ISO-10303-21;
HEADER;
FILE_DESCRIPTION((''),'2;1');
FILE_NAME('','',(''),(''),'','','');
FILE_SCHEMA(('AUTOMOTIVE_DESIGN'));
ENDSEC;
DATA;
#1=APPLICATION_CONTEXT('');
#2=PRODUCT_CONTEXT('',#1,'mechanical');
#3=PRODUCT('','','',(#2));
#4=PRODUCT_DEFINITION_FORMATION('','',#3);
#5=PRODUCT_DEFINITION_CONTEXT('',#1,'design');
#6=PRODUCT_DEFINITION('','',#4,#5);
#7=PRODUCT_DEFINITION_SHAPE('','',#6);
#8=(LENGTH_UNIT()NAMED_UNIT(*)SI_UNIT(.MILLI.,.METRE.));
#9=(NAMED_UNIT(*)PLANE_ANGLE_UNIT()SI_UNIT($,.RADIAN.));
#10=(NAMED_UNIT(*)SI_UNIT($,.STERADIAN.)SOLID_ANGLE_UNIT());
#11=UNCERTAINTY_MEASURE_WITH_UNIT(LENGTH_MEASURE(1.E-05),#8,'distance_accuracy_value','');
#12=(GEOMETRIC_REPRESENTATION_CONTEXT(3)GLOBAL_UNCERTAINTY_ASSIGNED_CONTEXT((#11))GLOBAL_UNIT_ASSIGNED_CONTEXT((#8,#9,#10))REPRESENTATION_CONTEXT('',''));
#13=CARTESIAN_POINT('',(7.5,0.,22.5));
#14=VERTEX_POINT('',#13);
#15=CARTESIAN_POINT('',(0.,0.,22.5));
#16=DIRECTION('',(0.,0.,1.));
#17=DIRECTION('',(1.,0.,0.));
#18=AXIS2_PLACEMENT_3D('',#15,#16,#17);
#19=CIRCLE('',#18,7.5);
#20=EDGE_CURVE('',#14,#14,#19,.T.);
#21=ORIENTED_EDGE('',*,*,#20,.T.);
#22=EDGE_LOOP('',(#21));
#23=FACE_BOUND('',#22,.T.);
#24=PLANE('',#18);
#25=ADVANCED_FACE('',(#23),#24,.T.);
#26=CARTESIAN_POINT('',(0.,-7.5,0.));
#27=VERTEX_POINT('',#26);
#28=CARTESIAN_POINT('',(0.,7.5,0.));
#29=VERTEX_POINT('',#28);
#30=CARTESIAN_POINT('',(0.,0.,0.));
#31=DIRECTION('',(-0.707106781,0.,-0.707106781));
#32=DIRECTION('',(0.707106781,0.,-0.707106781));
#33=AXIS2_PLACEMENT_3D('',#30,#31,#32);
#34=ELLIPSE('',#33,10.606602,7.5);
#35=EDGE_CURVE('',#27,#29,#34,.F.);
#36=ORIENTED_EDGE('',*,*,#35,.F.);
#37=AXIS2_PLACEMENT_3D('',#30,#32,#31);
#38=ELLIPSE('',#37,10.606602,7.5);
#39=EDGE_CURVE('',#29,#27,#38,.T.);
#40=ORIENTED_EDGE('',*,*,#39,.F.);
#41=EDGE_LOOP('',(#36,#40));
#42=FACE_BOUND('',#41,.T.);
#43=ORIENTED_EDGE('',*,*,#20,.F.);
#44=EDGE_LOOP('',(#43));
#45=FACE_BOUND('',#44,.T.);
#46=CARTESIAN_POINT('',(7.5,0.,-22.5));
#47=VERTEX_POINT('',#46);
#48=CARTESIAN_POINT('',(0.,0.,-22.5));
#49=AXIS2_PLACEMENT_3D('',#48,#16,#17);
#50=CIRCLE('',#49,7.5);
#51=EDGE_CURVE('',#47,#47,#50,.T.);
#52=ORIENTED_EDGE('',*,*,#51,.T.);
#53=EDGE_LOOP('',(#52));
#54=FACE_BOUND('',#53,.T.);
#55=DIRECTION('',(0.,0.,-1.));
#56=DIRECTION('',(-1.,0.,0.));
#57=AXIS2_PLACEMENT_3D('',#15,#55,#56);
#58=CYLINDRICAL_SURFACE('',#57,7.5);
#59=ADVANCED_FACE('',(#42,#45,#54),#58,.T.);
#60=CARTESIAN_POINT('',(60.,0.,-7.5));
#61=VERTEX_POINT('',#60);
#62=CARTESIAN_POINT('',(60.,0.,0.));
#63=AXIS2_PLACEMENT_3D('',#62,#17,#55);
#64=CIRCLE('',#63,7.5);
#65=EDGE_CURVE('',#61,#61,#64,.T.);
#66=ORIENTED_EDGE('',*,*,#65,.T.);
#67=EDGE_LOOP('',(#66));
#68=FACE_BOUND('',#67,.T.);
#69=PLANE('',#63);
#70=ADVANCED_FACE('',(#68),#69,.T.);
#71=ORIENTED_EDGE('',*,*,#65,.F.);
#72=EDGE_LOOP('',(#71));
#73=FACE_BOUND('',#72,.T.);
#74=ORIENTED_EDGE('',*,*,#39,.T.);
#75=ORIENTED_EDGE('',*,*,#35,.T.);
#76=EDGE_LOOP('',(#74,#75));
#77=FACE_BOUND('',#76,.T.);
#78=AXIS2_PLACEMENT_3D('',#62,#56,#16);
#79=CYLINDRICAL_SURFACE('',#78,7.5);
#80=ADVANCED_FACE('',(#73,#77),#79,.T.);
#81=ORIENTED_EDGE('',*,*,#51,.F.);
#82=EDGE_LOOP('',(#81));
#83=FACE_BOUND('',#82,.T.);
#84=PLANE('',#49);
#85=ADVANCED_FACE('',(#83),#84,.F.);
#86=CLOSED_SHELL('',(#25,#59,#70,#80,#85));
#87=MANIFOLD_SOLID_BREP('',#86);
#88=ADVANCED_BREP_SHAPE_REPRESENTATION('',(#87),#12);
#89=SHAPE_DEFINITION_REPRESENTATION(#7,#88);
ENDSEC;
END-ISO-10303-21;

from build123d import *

# Parameters (mm, degrees)
SKETCH1_R           = 7.5
BOSS_EXTRUDE1_DEPTH = 22.5
SKETCH2_R           = 7.5
BOSS_EXTRUDE2_DEPTH = 60


with BuildPart() as part:
    # Sketch1 → Boss-Extrude1 (new body, symmetric)
    with BuildSketch(Plane.XY):
        Circle(SKETCH1_R)
    extrude(amount=BOSS_EXTRUDE1_DEPTH, both=True)

    # Sketch2 → Boss-Extrude2 (add)
    with BuildSketch(Plane(origin=(0, 0, 0), x_dir=(0, 0, -1), z_dir=(1, 0, 0))):
        Circle(SKETCH2_R)
    extrude(amount=BOSS_EXTRUDE2_DEPTH)


solid = part.part
